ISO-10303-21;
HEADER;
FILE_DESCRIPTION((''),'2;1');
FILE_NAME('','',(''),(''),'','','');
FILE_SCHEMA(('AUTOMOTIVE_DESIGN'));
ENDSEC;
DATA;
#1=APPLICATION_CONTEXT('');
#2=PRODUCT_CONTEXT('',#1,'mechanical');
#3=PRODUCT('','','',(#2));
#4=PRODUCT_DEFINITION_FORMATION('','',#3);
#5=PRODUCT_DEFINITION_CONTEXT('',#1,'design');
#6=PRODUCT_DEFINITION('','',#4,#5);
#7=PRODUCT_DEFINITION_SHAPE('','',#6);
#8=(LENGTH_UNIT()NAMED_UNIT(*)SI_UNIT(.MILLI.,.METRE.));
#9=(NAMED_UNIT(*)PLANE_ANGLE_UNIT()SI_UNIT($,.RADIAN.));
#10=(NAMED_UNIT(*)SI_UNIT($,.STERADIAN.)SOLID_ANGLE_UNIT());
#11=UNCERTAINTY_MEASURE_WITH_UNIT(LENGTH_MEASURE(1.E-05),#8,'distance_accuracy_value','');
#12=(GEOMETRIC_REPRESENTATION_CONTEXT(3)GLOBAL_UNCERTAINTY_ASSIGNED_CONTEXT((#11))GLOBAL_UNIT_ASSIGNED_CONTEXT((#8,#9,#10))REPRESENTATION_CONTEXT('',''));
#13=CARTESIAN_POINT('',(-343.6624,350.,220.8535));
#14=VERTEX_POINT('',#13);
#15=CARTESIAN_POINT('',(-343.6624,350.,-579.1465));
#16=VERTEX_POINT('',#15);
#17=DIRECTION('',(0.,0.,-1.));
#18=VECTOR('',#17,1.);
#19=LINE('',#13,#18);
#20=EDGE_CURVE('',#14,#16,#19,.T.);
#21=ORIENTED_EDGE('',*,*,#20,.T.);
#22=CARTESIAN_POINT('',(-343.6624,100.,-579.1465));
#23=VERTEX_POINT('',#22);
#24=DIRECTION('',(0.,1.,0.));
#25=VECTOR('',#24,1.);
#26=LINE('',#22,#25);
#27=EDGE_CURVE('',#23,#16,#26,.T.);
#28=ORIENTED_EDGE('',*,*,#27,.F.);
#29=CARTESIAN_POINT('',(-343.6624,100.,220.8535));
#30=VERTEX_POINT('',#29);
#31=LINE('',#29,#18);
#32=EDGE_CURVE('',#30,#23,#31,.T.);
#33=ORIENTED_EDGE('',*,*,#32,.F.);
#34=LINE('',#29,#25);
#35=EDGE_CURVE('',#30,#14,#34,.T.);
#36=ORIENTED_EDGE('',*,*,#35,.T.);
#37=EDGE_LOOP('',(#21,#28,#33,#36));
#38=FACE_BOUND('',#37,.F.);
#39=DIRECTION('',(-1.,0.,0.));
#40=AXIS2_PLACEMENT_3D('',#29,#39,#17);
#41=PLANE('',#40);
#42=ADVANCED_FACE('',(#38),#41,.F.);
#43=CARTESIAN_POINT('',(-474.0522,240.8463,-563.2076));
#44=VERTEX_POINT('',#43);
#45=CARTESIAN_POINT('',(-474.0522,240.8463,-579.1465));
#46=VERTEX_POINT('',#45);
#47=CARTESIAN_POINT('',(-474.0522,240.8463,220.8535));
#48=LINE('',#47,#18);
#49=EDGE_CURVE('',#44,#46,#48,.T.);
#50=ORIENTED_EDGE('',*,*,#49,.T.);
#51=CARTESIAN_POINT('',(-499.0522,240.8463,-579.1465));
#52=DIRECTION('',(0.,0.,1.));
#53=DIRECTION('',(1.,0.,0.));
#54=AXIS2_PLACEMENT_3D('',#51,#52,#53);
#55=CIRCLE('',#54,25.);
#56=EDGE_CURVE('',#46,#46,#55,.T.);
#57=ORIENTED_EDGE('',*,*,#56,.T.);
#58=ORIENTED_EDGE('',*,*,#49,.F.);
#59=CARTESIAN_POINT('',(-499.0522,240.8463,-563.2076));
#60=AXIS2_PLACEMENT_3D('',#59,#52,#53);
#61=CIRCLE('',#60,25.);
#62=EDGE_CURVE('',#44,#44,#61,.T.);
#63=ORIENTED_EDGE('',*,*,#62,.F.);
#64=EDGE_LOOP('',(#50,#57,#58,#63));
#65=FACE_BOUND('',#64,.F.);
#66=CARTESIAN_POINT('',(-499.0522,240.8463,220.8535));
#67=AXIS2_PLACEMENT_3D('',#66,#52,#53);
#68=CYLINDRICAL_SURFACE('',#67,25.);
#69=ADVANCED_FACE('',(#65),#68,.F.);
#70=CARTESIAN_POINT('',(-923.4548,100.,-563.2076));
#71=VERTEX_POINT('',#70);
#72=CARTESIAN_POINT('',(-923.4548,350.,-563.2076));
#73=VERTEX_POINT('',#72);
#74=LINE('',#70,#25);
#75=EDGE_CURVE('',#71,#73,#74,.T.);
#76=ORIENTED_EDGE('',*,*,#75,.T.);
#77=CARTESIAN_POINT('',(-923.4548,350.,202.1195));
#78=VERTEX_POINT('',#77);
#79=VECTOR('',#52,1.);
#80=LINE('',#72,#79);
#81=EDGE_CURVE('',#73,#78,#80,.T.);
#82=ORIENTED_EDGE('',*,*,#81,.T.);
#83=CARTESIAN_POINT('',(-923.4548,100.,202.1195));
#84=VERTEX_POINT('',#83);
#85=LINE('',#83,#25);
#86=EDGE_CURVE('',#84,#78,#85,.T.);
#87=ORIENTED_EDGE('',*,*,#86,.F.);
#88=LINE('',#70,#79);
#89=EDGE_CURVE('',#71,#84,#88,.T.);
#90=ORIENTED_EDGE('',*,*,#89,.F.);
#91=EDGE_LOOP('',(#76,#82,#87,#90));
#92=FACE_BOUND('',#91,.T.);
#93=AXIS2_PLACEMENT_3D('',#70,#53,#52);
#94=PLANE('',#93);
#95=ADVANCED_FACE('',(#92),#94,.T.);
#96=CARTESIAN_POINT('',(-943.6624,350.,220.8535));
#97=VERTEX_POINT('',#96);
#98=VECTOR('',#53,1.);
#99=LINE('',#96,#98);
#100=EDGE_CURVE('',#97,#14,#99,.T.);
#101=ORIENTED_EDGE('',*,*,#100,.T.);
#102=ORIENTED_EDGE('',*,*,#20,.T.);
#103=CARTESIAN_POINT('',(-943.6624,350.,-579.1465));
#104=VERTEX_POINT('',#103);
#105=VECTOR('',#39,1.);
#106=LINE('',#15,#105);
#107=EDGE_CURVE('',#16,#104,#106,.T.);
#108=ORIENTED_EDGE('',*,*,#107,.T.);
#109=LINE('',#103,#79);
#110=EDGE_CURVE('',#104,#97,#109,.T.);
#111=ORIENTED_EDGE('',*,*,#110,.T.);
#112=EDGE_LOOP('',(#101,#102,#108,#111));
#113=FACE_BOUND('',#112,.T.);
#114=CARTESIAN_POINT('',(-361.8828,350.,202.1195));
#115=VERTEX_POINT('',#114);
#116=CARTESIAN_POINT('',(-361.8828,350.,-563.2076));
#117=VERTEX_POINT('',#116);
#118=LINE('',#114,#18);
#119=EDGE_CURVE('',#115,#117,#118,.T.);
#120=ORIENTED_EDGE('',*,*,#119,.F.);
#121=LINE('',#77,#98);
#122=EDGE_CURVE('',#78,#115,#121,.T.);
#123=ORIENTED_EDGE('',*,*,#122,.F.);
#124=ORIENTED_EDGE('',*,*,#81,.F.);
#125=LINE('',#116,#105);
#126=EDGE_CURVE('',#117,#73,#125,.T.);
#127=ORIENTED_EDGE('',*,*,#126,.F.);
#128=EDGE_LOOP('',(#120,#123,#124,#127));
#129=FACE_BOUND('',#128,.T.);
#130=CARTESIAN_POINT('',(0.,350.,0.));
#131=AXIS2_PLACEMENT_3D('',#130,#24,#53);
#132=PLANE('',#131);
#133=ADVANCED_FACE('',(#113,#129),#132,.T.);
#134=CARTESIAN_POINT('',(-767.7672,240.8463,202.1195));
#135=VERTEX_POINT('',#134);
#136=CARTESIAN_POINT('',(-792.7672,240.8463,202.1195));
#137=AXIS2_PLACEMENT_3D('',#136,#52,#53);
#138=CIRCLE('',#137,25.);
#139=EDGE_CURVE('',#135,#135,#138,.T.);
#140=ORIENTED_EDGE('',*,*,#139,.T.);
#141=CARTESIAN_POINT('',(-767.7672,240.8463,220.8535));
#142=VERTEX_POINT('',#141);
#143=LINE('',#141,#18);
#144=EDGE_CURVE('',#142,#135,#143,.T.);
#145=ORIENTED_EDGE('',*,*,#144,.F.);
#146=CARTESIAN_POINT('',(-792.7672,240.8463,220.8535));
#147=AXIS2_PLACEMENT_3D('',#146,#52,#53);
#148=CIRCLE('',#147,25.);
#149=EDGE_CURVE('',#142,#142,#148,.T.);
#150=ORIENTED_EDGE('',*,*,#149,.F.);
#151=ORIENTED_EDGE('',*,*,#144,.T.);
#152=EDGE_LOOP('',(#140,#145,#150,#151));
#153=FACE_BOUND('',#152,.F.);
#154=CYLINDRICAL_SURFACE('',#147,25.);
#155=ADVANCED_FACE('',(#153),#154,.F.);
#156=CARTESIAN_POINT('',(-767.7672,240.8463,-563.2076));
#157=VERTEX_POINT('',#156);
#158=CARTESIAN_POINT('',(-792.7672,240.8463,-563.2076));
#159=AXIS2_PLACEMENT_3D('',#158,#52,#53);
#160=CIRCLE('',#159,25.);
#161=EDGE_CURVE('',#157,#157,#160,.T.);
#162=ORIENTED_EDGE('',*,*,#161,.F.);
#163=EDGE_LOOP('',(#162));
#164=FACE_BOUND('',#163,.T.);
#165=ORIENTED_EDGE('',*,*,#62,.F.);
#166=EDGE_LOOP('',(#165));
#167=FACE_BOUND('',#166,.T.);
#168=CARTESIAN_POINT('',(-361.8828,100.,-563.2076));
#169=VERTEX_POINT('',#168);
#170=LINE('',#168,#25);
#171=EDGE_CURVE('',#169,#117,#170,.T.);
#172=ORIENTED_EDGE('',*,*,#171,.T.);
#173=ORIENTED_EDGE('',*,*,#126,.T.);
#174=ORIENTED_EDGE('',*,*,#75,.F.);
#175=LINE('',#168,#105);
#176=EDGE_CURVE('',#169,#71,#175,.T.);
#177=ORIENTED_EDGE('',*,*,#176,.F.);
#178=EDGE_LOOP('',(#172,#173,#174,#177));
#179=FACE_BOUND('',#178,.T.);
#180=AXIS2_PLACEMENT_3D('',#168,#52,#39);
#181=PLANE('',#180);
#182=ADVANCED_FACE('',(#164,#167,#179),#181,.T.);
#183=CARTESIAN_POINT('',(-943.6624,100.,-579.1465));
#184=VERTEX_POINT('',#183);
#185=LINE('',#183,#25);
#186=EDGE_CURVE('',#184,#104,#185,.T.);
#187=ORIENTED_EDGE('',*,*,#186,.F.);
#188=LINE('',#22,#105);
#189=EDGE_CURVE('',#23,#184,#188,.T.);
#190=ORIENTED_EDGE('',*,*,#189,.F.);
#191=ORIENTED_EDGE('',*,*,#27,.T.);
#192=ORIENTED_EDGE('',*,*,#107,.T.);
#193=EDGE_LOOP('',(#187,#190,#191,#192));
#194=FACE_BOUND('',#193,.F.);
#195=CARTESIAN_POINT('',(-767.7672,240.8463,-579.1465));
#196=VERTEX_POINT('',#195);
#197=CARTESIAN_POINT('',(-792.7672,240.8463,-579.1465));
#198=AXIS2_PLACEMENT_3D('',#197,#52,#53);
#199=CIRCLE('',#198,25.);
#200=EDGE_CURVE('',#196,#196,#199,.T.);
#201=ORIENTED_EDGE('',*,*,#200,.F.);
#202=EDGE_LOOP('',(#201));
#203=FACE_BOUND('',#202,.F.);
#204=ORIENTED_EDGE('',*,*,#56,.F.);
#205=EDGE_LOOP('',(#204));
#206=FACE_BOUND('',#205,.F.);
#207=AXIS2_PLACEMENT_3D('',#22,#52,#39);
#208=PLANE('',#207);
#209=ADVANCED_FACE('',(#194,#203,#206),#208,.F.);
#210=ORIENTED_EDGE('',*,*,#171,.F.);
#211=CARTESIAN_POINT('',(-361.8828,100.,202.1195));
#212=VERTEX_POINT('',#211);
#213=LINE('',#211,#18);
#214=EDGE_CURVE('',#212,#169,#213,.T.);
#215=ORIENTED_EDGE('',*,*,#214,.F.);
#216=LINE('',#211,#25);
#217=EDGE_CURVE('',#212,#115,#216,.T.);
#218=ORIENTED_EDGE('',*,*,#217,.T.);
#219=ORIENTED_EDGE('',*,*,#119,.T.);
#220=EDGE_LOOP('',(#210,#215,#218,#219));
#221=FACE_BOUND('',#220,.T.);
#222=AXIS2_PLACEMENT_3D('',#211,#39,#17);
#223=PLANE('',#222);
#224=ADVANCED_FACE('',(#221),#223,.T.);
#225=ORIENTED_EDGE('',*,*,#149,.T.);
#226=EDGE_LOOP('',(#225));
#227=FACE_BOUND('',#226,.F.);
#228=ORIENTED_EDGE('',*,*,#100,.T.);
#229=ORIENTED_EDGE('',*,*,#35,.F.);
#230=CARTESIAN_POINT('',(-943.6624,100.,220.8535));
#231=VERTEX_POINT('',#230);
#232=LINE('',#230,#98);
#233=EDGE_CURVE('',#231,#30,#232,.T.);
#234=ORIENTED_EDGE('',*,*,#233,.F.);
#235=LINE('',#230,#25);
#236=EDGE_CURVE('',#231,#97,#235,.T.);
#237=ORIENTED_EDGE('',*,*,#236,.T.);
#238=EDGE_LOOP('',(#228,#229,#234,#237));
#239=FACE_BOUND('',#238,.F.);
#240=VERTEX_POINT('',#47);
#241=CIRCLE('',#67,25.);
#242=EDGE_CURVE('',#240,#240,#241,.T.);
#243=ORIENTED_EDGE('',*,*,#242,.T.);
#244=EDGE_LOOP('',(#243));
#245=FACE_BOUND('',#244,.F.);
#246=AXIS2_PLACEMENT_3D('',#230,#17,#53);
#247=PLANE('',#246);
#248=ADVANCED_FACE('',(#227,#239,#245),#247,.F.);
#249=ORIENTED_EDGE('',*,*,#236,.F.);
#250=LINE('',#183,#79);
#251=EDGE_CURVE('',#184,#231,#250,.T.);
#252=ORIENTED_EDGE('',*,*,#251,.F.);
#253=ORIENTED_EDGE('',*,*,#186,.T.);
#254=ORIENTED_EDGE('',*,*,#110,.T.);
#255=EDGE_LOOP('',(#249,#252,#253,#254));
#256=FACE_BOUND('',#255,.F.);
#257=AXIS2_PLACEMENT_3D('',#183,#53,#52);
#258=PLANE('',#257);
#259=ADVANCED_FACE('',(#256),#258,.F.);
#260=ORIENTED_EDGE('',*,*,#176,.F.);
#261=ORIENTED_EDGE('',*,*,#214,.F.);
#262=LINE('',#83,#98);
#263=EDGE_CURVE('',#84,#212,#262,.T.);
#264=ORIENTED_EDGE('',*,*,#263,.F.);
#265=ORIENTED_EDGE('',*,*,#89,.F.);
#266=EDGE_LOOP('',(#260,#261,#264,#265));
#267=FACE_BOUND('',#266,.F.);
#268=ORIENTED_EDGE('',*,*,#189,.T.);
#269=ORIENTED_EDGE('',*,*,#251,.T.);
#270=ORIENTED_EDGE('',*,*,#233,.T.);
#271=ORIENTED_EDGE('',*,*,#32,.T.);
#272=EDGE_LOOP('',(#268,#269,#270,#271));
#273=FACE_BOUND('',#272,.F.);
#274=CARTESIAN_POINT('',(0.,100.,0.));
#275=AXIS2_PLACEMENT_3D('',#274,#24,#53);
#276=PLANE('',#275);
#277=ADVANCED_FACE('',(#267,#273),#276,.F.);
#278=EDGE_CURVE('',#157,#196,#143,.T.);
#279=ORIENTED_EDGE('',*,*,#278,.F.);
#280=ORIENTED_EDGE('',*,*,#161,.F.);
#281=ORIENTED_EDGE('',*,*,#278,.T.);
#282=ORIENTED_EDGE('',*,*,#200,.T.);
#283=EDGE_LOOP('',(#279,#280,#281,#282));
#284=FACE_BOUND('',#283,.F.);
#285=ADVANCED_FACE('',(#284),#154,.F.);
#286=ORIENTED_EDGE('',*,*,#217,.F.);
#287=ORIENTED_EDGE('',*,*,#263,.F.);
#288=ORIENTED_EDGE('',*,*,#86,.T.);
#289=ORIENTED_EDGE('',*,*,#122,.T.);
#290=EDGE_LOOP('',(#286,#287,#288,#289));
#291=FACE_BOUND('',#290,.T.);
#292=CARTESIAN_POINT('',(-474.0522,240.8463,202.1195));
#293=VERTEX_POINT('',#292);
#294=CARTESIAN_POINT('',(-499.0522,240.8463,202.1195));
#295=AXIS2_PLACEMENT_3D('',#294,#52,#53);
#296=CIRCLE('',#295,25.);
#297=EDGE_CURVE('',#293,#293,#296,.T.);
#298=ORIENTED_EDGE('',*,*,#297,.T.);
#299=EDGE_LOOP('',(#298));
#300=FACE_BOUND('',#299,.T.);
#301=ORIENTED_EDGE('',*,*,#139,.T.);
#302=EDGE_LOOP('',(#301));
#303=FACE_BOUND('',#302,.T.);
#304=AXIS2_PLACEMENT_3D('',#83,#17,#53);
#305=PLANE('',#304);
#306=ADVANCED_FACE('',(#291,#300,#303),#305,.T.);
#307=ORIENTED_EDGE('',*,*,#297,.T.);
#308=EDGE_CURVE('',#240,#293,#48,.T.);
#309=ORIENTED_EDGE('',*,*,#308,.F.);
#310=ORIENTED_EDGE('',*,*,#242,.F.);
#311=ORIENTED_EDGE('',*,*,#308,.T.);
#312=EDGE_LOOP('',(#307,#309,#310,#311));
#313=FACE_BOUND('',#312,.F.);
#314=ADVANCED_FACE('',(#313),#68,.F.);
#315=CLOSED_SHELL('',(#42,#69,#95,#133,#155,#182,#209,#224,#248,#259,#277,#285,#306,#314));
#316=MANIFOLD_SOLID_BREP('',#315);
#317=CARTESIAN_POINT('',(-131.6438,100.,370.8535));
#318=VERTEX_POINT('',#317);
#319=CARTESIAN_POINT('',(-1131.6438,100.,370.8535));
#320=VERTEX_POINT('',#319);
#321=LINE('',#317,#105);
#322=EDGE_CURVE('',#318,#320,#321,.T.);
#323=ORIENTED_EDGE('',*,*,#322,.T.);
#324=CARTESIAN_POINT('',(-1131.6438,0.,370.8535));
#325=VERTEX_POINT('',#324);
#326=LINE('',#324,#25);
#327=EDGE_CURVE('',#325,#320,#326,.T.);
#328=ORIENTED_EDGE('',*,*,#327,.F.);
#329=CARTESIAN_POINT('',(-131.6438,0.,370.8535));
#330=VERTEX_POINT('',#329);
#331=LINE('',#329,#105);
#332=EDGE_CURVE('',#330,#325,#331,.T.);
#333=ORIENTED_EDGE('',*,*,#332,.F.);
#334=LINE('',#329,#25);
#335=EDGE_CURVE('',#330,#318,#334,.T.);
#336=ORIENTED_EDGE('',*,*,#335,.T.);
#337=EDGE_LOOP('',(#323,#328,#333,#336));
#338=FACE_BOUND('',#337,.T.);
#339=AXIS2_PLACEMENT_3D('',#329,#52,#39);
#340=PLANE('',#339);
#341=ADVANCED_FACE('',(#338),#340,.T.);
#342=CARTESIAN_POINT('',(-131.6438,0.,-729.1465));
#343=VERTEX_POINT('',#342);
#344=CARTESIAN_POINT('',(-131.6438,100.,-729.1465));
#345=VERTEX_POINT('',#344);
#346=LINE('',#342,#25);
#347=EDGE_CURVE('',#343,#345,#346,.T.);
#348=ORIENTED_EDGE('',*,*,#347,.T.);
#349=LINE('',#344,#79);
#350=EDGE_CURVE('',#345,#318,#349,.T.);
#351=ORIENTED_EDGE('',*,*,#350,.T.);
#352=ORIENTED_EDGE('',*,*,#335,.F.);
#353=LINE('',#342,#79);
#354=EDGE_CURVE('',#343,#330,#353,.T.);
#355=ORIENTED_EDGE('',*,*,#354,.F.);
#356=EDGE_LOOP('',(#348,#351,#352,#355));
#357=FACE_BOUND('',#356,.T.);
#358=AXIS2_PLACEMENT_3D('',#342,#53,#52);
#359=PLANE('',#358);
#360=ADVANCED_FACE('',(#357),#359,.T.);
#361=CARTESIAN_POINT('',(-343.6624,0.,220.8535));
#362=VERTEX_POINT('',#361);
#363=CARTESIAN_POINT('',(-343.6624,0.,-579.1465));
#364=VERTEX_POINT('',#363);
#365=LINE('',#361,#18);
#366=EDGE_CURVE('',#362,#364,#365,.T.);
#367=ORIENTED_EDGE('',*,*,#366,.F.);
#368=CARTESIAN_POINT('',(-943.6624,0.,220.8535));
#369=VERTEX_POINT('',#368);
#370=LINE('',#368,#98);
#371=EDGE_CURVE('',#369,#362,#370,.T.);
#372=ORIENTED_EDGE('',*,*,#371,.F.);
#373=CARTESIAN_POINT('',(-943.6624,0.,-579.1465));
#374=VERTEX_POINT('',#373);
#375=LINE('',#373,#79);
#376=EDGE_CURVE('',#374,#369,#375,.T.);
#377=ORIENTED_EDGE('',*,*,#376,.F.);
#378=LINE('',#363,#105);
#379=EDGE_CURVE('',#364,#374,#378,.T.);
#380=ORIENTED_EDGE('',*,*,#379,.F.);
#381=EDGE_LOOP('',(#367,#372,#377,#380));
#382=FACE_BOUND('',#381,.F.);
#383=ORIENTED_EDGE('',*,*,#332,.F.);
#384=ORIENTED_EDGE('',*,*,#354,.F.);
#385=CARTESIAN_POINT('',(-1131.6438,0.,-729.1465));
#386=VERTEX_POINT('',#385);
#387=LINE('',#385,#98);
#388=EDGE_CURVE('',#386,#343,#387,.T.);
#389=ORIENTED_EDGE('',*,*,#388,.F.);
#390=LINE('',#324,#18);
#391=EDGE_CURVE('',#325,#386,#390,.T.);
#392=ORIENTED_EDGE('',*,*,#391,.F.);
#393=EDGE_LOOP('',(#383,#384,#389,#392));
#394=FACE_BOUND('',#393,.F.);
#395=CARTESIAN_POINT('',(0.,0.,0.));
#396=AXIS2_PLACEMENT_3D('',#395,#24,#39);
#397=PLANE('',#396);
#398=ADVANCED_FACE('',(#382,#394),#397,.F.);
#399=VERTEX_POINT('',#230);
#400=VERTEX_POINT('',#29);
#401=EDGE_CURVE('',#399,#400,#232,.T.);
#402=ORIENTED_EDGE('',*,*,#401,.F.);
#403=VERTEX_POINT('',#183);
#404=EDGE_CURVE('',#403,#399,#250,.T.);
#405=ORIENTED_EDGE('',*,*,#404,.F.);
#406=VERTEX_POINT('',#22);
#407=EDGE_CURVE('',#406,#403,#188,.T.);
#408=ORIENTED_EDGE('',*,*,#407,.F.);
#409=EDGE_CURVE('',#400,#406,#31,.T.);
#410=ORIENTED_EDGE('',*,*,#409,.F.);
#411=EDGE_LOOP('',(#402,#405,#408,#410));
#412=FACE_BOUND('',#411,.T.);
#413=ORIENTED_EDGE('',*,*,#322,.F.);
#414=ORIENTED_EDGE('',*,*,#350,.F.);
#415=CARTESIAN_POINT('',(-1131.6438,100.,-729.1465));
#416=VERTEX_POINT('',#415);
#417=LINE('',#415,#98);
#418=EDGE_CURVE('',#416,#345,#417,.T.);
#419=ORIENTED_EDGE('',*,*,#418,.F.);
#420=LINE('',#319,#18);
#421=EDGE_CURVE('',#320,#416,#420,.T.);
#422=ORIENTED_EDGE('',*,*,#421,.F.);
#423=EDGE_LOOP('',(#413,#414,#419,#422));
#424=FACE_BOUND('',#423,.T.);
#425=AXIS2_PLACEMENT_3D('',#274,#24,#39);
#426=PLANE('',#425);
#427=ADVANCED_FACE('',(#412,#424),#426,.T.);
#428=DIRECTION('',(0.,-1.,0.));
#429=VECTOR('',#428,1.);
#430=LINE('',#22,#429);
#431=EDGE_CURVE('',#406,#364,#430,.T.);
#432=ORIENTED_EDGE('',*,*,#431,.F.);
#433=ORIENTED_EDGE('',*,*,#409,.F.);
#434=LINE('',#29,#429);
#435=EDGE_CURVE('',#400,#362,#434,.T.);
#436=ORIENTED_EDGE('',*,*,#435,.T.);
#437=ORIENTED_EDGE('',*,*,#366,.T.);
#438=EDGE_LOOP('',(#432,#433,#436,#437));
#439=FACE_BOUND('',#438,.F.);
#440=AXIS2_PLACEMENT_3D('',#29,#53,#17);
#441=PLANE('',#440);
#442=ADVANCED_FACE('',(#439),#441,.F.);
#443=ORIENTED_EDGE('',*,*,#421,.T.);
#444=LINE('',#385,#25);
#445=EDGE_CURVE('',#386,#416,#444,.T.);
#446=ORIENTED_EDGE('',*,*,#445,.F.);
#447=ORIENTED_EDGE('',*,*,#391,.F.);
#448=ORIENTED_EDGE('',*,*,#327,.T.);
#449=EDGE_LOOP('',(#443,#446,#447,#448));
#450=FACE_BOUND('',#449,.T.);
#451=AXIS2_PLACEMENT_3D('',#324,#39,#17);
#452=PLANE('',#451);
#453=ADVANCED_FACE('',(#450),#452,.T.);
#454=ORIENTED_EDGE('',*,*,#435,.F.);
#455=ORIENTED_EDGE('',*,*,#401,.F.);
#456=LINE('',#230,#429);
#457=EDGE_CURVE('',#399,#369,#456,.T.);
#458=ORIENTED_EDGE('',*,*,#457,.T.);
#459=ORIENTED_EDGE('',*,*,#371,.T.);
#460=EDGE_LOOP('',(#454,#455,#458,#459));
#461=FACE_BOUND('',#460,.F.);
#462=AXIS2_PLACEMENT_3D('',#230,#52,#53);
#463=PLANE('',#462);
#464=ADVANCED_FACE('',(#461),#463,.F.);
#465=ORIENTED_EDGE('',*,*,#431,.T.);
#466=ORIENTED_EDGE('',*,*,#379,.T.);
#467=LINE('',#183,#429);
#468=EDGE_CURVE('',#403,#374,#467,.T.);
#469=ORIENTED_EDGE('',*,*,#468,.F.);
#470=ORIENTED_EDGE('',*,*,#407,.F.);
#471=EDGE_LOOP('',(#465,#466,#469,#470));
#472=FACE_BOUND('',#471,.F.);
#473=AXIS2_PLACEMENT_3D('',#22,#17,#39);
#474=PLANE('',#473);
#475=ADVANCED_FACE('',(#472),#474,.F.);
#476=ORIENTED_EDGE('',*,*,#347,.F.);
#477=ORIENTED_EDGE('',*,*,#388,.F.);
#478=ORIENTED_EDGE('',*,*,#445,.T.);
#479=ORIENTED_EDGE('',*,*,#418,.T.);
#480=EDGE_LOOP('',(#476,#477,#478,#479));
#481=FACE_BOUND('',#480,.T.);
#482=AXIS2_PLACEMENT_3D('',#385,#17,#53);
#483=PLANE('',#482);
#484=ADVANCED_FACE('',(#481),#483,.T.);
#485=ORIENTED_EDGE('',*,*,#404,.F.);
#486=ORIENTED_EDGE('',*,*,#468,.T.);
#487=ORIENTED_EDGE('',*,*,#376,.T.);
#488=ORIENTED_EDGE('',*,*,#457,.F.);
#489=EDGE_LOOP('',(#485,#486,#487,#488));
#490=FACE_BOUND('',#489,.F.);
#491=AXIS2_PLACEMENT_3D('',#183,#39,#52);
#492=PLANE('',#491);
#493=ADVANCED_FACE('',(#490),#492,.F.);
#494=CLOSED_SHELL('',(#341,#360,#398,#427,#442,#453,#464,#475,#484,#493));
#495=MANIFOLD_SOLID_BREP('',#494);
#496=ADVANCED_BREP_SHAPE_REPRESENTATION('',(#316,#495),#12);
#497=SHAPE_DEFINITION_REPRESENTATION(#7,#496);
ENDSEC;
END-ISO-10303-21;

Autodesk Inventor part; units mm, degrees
ref_plane "YZ Plane" through (0, 0, 0) normal (1, 0, 0) x (0, 1, 0)
ref_plane "XZ Plane" through (0, 0, 0) normal (0, 1, 0) x (-1, 0, 0)
ref_plane "XY Plane" through (0, 0, 0) normal (0, 0, 1) x (1, 0, 0)
sketch "Sketch1" plane through (0, 0, 0) normal (0, 1, 0) x (-1, 0, 0)
  line L0 (131.6438, 370.8535) -> (1131.6438, 370.8535)
  line L1 (1131.6438, 370.8535) -> (1131.6438, -729.1465)
  line L2 (1131.6438, -729.1465) -> (131.6438, -729.1465)
  line L3 (131.6438, -729.1465) -> (131.6438, 370.8535)
  point P0 (0, 0)
  dimension "d0" = 1100
  dimension "d1" = 1000
extrude "Extrusion1" add sketch "Sketch1" along normal blind 100
sketch "Sketch2" plane through (0, 100, 0) normal (0, 1, 0) x (1, 0, 0)
  line L0 (-943.6624, -220.8535) -> (-343.6624, -220.8535)
  line L1 (-343.6624, -220.8535) -> (-343.6624, 579.1465)
  line L2 (-343.6624, 579.1465) -> (-943.6624, 579.1465)
  line L3 (-943.6624, 579.1465) -> (-943.6624, -220.8535)
  line L4 (-1131.6438, -370.8535) -> (-131.6438, -370.8535) projected
  point P0 (0, 0)
  dimension "d4" = 800
  dimension "d5" = 600
  dimension "d6" = 150
extrude "Extrusion2" cut sketch "Sketch2" against normal blind 100
sketch "Sketch3" plane through (0, 100, 0) normal (0, 1, 0) x (1, 0, 0)
  line L0 (-943.6624, -220.8535) -> (-343.6624, -220.8535) projected
  line L1 (-343.6624, 579.1465) -> (-943.6624, 579.1465) projected
  line L2 (-943.6624, -220.8535) -> (-343.6624, -220.8535)
  line L3 (-343.6624, -220.8535) -> (-343.6624, 579.1465)
  line L4 (-343.6624, 579.1465) -> (-943.6624, 579.1465)
  line L5 (-943.6624, 579.1465) -> (-943.6624, -220.8535)
  line L6 (-923.4548, -202.1195) -> (-361.8828, -202.1195)
  line L7 (-361.8828, -202.1195) -> (-361.8828, 563.2076)
  line L8 (-361.8828, 563.2076) -> (-923.4548, 563.2076)
  line L9 (-923.4548, 563.2076) -> (-923.4548, -202.1195)
  point P0 (0, 0)
  point P1 (-943.6624, 579.1465)
extrude "Extrusion3" add sketch "Sketch3" along normal blind 250
sketch "Sketch4" plane through (-943.6624, 100, 220.8535) normal (0, 0, 1) x (1, 0, 0)
  circle A0 centre (150.8952, 140.8463) radius 25
  circle A1 centre (444.6102, 140.8463) radius 25
  point P0 (943.6624, -100)
  dimension "d11" = 50
  dimension "d12" = 50
extrude "Extrusion4" cut sketch "Sketch4" against normal blind 2500
properties part number "table"
